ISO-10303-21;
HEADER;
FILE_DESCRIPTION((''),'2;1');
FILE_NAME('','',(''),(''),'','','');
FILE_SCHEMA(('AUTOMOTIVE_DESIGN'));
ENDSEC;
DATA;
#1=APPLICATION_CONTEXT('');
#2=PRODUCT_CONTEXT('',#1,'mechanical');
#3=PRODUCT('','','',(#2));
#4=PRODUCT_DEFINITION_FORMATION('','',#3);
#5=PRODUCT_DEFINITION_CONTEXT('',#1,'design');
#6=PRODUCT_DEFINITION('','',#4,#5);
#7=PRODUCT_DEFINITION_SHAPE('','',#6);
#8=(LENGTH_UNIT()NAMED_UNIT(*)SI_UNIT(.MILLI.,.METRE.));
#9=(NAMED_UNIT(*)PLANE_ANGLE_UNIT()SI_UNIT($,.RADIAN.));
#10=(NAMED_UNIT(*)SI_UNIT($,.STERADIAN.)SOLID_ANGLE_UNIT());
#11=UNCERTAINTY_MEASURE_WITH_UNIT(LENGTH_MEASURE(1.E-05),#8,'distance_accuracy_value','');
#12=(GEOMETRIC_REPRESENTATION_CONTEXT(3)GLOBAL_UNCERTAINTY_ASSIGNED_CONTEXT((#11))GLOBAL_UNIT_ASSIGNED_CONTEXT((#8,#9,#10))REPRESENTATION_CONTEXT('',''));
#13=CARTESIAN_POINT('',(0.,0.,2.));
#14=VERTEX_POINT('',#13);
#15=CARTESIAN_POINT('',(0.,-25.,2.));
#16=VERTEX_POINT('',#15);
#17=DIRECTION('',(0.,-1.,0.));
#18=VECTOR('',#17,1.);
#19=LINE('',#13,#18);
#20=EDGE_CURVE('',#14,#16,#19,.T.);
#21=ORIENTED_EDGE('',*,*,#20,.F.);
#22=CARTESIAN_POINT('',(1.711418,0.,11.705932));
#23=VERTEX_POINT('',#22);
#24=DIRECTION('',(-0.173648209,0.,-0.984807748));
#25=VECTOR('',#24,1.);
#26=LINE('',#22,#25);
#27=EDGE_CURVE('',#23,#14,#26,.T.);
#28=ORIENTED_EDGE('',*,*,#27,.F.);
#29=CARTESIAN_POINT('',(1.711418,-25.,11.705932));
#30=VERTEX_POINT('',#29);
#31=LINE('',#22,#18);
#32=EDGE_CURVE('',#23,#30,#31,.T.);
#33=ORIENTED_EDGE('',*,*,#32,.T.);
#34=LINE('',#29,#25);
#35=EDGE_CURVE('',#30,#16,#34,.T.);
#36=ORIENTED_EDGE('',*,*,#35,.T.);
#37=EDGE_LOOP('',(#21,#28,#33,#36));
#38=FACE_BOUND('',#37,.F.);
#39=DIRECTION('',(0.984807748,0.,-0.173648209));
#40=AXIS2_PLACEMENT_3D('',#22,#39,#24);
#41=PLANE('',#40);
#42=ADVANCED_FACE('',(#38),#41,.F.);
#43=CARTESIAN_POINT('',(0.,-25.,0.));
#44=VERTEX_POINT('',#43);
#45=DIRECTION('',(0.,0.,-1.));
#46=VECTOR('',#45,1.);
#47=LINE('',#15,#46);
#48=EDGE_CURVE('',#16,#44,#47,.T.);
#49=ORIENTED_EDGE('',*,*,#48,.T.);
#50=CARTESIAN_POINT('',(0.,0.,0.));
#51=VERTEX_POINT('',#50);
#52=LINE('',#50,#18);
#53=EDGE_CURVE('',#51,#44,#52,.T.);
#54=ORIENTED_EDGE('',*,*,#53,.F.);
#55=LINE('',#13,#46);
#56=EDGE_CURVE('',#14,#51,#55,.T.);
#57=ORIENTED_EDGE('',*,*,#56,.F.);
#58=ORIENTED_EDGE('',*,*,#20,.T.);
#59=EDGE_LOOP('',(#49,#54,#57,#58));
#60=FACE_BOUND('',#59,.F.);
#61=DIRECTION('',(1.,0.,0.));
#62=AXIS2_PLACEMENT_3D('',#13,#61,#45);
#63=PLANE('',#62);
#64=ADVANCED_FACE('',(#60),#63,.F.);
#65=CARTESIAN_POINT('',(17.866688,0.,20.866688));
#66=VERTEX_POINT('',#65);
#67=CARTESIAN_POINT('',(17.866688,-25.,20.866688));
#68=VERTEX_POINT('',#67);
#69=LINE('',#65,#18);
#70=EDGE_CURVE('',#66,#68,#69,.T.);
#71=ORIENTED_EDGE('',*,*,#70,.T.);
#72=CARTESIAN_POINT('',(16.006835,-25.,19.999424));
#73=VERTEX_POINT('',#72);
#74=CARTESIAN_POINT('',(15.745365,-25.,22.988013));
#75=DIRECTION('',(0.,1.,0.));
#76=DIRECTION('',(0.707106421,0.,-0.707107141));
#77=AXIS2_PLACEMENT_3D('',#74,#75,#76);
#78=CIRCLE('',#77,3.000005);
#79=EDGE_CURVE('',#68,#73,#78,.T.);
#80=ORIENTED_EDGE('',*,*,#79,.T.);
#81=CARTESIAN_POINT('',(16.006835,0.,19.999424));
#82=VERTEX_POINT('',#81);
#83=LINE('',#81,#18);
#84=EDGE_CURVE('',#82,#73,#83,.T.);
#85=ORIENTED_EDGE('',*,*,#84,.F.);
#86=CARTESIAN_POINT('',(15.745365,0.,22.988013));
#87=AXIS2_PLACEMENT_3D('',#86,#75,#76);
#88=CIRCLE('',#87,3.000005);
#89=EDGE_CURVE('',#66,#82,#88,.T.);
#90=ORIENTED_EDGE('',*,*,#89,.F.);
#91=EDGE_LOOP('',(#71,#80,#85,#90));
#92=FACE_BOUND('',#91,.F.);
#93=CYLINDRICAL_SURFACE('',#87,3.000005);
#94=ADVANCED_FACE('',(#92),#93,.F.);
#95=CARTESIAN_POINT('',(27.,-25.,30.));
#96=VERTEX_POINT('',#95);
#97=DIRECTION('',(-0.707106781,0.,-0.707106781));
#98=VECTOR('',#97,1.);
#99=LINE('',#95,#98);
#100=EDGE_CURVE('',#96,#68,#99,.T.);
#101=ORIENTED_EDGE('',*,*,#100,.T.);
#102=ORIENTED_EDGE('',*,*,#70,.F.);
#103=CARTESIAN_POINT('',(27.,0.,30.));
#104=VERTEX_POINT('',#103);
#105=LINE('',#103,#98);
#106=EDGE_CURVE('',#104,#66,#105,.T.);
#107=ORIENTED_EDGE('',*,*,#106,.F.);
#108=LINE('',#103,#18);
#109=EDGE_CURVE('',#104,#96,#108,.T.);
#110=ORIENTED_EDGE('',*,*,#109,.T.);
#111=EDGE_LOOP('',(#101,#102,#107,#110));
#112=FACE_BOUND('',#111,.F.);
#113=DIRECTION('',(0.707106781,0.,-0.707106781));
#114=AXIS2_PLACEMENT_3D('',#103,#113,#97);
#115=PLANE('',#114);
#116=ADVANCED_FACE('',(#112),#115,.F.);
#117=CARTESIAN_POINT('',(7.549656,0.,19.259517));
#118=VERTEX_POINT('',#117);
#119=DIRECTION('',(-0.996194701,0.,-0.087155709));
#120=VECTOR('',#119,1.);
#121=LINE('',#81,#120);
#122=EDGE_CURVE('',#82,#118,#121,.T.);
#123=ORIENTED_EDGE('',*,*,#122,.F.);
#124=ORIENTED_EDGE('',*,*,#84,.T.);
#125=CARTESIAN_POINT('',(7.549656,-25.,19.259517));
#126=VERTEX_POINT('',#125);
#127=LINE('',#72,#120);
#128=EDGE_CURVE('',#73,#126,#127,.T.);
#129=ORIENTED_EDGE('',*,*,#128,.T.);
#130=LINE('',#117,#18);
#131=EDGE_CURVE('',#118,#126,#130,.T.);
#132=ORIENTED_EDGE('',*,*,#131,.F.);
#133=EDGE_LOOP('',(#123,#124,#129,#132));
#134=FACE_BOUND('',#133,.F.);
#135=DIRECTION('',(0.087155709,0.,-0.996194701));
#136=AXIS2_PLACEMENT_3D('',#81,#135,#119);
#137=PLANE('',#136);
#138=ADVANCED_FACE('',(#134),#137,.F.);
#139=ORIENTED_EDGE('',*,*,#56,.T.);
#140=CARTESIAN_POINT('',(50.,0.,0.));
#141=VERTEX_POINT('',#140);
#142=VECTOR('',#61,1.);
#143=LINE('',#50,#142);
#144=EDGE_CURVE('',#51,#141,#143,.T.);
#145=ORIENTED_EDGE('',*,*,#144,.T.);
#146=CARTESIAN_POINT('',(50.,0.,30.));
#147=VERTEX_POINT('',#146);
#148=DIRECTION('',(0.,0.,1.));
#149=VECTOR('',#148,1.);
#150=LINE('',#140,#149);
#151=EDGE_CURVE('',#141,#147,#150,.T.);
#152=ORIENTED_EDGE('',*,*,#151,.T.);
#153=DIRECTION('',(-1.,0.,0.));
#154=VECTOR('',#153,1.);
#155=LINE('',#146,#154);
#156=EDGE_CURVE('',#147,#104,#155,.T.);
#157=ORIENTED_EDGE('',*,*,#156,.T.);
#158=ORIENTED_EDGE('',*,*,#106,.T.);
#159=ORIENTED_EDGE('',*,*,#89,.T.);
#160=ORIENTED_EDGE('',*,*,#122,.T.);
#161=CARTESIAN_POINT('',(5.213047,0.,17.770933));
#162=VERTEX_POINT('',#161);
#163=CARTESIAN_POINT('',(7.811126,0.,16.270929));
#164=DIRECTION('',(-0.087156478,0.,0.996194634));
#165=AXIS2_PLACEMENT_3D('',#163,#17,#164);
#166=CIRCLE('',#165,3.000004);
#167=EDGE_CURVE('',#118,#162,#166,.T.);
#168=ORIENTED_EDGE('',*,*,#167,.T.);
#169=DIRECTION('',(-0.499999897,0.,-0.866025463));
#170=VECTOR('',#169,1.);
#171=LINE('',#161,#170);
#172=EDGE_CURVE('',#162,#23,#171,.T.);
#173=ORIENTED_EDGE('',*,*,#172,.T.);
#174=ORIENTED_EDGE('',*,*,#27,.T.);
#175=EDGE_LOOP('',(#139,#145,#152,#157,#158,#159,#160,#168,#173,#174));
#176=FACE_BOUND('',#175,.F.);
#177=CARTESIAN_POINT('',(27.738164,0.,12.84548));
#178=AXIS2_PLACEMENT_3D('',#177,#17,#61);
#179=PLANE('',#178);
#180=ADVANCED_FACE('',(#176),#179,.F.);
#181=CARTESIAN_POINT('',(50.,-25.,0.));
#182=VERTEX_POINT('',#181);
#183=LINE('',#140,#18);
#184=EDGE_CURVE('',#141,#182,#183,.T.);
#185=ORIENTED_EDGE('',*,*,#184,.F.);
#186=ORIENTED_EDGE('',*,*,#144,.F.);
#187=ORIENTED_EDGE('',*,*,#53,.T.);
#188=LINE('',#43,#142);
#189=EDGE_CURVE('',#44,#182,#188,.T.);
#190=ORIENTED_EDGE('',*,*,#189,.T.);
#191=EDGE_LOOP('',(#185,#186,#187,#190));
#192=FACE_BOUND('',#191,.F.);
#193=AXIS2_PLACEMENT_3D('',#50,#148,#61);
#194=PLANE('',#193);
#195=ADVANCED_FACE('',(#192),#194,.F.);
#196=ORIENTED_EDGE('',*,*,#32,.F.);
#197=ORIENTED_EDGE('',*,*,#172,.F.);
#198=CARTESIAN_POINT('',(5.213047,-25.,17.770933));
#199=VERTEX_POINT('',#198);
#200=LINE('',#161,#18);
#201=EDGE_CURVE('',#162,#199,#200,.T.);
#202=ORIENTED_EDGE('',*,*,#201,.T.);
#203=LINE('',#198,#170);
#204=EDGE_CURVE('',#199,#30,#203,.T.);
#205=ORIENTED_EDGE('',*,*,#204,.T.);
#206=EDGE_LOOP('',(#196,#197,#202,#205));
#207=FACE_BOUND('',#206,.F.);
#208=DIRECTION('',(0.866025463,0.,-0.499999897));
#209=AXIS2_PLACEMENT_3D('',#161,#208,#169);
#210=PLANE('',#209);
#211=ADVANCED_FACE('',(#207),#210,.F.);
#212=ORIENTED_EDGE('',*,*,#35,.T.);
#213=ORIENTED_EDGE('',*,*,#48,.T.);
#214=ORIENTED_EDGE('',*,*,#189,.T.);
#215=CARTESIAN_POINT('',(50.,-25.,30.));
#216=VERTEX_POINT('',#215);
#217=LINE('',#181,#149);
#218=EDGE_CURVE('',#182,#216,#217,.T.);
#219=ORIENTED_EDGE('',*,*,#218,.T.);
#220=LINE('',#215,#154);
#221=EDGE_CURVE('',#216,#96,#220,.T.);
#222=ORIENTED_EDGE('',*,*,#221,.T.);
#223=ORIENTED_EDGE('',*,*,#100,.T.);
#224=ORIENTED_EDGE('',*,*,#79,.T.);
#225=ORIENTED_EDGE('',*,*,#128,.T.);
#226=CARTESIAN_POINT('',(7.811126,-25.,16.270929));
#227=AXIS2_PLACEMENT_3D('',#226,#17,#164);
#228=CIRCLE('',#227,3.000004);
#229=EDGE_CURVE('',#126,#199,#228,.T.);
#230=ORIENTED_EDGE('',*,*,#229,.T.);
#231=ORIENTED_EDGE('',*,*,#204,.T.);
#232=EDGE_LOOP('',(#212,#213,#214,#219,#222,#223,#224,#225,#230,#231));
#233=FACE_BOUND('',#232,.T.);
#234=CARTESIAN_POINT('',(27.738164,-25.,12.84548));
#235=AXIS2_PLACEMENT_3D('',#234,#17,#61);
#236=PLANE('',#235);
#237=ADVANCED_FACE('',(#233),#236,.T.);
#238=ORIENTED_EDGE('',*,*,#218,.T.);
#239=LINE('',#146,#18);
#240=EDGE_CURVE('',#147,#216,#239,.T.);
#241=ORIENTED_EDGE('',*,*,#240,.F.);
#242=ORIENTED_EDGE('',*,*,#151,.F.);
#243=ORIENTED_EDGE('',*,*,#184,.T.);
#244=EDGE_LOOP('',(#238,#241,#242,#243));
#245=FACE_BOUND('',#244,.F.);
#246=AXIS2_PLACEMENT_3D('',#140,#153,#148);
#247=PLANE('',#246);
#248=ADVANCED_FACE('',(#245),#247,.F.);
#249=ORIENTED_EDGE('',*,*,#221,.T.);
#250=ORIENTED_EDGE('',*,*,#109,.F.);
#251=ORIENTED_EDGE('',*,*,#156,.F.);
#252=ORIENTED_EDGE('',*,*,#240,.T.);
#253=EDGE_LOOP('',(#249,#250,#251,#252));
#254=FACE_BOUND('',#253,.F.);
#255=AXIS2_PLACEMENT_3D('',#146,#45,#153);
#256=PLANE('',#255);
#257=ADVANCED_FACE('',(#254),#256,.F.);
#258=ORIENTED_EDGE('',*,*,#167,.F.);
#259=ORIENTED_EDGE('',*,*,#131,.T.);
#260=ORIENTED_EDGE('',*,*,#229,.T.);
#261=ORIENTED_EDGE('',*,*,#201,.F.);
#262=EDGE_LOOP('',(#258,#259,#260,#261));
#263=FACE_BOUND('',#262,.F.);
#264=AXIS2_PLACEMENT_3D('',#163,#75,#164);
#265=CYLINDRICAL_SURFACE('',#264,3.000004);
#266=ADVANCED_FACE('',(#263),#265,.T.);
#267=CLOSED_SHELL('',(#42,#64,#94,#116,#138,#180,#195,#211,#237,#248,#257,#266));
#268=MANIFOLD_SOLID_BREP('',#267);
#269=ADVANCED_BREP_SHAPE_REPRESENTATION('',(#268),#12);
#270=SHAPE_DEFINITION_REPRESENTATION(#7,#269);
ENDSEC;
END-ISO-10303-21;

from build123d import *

# Parameters (mm, degrees)
F1_DEPTH = 25


with BuildPart() as f1:
    # F0 (on Front) → F1 (new body)
    with BuildSketch(Plane.XZ):
        with BuildLine():
            Line((0, 2), (0, 0))
            Line((0, 0), (50, 0))
            Line((50, 0), (50, 30))
            Line((50, 30), (27, 30))
            Line((27, 30), (17.866688, 20.866688))
            ThreePointArc((17.866688, 20.866688), (17.013222, 20.269085), (16.006835, 19.999424))
            Line((16.006835, 19.999424), (7.549656, 19.259517))
            ThreePointArc((7.549656, 19.259517), (6.199225, 18.801107), (5.213047, 17.770933))
            Line((5.213047, 17.770933), (1.711418, 11.705932))
            Line((1.711418, 11.705932), (0, 2))
        make_face()
    extrude(amount=F1_DEPTH)


solid = f1.part
